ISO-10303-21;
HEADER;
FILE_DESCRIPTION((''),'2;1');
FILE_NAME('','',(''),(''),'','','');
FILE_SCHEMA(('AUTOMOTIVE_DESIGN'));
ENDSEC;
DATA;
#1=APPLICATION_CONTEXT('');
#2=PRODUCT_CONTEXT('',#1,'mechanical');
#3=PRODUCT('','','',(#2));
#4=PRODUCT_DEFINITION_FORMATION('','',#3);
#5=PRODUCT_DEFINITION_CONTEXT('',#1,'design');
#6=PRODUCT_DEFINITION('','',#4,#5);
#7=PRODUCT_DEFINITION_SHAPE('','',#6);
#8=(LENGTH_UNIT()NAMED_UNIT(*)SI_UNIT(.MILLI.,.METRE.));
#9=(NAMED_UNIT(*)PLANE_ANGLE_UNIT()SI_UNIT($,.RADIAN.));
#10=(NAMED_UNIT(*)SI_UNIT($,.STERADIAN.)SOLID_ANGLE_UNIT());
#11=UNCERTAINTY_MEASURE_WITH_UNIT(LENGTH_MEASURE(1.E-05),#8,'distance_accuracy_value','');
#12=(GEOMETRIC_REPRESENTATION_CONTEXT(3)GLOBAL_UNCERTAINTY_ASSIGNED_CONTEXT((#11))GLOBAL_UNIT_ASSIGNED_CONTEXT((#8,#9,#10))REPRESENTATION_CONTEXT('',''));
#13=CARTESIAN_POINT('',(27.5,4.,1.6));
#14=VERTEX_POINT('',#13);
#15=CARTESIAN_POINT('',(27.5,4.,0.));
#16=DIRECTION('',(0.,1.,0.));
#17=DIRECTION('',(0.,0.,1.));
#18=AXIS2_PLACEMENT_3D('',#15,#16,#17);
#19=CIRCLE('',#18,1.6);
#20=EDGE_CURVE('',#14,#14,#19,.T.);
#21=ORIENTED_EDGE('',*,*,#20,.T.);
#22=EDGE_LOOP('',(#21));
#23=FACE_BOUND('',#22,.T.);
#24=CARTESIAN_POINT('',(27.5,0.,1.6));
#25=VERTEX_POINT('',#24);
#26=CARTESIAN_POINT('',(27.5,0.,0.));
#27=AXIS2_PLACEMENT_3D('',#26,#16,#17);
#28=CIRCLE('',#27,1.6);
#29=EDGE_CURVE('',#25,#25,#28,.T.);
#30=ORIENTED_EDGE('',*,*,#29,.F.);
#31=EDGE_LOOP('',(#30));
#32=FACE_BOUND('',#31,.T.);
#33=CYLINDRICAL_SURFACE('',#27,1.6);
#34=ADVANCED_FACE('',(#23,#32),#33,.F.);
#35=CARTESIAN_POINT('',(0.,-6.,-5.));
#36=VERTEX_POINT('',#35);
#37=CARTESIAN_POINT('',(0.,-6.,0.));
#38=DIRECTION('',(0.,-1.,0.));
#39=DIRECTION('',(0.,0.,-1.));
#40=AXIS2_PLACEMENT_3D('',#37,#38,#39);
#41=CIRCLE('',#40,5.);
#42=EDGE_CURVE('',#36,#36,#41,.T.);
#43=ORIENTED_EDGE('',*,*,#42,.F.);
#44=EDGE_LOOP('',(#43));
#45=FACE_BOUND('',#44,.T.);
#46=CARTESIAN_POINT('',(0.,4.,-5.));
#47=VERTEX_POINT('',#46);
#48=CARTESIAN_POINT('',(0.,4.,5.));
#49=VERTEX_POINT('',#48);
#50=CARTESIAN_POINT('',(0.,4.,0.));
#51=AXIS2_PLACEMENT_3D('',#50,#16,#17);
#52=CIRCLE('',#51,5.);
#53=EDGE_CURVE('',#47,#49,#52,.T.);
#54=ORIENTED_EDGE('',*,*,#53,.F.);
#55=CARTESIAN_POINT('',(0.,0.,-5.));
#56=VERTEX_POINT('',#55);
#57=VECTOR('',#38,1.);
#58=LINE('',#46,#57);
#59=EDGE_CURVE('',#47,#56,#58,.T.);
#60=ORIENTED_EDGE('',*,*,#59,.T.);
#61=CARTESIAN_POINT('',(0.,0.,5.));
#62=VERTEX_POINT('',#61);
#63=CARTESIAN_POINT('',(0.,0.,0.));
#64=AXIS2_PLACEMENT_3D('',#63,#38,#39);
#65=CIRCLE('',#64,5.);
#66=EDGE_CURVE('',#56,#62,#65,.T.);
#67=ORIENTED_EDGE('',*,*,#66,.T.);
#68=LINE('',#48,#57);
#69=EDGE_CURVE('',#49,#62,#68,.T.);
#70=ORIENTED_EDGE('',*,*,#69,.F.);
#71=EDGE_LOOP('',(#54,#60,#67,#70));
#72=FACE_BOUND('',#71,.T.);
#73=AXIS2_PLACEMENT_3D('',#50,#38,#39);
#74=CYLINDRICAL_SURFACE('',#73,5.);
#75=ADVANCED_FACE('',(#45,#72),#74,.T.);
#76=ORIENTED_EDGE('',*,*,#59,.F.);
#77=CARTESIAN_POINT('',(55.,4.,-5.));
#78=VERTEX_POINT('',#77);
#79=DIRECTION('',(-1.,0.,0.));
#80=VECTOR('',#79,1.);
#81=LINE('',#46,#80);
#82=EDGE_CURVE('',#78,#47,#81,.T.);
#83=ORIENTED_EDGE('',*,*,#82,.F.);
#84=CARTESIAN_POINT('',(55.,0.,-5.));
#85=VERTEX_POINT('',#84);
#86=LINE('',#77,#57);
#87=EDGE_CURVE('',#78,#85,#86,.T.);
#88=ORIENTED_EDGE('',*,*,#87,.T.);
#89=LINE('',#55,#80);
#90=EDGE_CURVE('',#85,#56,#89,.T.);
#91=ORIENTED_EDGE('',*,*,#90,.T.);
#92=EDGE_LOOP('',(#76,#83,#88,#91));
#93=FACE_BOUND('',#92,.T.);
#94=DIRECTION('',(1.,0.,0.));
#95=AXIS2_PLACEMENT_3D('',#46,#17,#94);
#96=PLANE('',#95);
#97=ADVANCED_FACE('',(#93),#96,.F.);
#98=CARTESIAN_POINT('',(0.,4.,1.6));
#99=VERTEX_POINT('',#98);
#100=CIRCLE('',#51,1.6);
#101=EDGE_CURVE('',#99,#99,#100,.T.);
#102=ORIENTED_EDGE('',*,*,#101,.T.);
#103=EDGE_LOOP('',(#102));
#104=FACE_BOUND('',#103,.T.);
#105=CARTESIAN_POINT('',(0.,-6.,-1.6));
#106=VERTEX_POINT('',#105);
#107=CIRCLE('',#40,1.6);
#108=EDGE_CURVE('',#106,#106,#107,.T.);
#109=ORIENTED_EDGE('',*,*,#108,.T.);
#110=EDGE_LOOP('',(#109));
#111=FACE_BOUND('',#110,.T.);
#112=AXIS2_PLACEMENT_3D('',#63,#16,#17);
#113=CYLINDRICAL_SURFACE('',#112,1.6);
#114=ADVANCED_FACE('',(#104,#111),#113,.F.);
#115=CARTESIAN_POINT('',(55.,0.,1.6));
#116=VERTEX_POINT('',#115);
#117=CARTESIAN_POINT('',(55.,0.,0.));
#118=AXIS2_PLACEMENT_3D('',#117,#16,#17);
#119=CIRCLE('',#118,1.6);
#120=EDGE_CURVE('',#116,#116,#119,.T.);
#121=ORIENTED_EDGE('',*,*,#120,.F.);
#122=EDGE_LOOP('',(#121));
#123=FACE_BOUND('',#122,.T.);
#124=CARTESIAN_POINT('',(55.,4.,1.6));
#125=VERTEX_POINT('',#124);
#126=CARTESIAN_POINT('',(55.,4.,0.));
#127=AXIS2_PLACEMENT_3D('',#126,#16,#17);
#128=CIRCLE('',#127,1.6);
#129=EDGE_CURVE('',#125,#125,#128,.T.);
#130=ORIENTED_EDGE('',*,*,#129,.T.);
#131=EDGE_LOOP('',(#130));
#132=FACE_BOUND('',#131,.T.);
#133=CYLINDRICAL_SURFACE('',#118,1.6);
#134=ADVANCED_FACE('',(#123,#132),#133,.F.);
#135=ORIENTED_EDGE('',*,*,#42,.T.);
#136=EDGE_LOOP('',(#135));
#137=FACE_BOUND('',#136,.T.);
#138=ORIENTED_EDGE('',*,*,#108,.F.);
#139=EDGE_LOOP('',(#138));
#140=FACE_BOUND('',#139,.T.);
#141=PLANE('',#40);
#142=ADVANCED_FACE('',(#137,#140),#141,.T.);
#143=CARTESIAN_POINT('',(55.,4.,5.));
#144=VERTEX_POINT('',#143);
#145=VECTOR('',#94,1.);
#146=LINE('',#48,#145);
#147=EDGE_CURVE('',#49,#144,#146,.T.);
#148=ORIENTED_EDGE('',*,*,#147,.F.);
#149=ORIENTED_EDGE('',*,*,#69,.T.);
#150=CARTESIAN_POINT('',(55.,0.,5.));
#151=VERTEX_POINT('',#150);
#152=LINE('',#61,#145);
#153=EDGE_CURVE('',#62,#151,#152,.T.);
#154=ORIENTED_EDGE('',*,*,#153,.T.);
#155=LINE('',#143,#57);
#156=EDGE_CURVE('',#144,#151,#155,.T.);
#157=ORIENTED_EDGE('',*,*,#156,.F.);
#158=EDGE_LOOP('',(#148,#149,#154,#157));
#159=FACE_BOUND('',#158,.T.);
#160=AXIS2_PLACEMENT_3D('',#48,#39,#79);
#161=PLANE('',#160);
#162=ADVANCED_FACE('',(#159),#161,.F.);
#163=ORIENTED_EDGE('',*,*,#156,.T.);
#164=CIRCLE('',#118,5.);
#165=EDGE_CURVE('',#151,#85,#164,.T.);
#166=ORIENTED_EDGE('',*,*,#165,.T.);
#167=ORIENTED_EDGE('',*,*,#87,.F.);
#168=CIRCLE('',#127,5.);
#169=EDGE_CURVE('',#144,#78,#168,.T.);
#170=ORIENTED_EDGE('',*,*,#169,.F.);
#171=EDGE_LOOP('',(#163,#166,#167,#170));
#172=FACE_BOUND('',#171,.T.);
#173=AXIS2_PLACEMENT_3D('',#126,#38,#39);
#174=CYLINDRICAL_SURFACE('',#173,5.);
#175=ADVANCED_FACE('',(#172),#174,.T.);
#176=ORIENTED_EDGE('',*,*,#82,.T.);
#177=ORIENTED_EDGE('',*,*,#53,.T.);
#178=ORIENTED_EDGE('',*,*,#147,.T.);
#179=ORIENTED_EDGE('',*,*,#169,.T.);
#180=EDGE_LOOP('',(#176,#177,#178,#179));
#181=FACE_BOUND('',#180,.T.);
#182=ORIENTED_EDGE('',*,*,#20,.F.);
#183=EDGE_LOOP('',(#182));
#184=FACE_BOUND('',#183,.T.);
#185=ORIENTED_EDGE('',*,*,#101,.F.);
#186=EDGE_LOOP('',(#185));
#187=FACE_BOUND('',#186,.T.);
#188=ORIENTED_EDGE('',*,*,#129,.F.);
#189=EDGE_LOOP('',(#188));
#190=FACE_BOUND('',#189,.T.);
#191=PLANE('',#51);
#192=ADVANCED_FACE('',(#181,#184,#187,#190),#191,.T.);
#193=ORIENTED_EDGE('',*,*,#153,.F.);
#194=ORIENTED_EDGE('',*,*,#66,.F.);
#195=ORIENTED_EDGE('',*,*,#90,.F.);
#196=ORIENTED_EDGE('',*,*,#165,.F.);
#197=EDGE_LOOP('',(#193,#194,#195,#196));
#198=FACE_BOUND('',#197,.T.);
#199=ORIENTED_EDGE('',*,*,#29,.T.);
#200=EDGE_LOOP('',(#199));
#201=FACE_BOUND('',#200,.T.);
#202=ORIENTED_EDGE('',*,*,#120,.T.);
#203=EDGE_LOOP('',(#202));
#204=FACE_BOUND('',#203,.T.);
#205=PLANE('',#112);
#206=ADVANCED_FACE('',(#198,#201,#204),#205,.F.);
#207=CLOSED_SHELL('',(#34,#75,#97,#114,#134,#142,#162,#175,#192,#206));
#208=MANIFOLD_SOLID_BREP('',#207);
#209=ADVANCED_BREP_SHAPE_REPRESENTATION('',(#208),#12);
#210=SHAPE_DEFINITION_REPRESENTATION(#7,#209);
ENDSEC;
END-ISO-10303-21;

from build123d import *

# Parameters (mm, degrees)
BOSS_EXTRUDE1_DEPTH = 4
SKETCH2_R           = 1.6
CUT_EXTRUDE1_DEPTH  = 5
SKETCH3_R           = 5
BOSS_EXTRUDE2_DEPTH = 6
SKETCH5_R           = 1.6
CUT_EXTRUDE2_DEPTH  = 6


with BuildPart() as part:
    # Sketch1 → Boss-Extrude1 (new body)
    with BuildSketch(Plane(origin=(0, 0, 0), x_dir=(1, 0, 0), z_dir=(0, 1, 0))):
        with BuildLine():
            Line((0, 5), (55, 5))
            ThreePointArc((55, 5), (60, 0), (55, -5))
            Line((55, -5), (0, -5))
            ThreePointArc((0, -5), (-5, 0), (0, 5))
        make_face()
    extrude(amount=BOSS_EXTRUDE1_DEPTH)

    # Sketch2 → Cut-Extrude1 (cut, through all)
    with BuildSketch(Plane(origin=(0, 4, 0), x_dir=(1, 0, 0), z_dir=(0, 1, 0))):
        Circle(SKETCH2_R)
        with Locations((27.5, 0)):
            Circle(SKETCH2_R)
        with Locations((55, 0)):
            Circle(SKETCH2_R)
    extrude(amount=-CUT_EXTRUDE1_DEPTH, mode=Mode.SUBTRACT)

    # Sketch3 → Boss-Extrude2 (add)
    with BuildSketch(Plane.XZ):
        Circle(SKETCH3_R)
    extrude(amount=BOSS_EXTRUDE2_DEPTH)

    # Sketch5 → Cut-Extrude2 (cut)
    with BuildSketch(Plane.XZ.offset(6)):
        Circle(SKETCH5_R)
    extrude(amount=-CUT_EXTRUDE2_DEPTH, mode=Mode.SUBTRACT)


solid = part.part
